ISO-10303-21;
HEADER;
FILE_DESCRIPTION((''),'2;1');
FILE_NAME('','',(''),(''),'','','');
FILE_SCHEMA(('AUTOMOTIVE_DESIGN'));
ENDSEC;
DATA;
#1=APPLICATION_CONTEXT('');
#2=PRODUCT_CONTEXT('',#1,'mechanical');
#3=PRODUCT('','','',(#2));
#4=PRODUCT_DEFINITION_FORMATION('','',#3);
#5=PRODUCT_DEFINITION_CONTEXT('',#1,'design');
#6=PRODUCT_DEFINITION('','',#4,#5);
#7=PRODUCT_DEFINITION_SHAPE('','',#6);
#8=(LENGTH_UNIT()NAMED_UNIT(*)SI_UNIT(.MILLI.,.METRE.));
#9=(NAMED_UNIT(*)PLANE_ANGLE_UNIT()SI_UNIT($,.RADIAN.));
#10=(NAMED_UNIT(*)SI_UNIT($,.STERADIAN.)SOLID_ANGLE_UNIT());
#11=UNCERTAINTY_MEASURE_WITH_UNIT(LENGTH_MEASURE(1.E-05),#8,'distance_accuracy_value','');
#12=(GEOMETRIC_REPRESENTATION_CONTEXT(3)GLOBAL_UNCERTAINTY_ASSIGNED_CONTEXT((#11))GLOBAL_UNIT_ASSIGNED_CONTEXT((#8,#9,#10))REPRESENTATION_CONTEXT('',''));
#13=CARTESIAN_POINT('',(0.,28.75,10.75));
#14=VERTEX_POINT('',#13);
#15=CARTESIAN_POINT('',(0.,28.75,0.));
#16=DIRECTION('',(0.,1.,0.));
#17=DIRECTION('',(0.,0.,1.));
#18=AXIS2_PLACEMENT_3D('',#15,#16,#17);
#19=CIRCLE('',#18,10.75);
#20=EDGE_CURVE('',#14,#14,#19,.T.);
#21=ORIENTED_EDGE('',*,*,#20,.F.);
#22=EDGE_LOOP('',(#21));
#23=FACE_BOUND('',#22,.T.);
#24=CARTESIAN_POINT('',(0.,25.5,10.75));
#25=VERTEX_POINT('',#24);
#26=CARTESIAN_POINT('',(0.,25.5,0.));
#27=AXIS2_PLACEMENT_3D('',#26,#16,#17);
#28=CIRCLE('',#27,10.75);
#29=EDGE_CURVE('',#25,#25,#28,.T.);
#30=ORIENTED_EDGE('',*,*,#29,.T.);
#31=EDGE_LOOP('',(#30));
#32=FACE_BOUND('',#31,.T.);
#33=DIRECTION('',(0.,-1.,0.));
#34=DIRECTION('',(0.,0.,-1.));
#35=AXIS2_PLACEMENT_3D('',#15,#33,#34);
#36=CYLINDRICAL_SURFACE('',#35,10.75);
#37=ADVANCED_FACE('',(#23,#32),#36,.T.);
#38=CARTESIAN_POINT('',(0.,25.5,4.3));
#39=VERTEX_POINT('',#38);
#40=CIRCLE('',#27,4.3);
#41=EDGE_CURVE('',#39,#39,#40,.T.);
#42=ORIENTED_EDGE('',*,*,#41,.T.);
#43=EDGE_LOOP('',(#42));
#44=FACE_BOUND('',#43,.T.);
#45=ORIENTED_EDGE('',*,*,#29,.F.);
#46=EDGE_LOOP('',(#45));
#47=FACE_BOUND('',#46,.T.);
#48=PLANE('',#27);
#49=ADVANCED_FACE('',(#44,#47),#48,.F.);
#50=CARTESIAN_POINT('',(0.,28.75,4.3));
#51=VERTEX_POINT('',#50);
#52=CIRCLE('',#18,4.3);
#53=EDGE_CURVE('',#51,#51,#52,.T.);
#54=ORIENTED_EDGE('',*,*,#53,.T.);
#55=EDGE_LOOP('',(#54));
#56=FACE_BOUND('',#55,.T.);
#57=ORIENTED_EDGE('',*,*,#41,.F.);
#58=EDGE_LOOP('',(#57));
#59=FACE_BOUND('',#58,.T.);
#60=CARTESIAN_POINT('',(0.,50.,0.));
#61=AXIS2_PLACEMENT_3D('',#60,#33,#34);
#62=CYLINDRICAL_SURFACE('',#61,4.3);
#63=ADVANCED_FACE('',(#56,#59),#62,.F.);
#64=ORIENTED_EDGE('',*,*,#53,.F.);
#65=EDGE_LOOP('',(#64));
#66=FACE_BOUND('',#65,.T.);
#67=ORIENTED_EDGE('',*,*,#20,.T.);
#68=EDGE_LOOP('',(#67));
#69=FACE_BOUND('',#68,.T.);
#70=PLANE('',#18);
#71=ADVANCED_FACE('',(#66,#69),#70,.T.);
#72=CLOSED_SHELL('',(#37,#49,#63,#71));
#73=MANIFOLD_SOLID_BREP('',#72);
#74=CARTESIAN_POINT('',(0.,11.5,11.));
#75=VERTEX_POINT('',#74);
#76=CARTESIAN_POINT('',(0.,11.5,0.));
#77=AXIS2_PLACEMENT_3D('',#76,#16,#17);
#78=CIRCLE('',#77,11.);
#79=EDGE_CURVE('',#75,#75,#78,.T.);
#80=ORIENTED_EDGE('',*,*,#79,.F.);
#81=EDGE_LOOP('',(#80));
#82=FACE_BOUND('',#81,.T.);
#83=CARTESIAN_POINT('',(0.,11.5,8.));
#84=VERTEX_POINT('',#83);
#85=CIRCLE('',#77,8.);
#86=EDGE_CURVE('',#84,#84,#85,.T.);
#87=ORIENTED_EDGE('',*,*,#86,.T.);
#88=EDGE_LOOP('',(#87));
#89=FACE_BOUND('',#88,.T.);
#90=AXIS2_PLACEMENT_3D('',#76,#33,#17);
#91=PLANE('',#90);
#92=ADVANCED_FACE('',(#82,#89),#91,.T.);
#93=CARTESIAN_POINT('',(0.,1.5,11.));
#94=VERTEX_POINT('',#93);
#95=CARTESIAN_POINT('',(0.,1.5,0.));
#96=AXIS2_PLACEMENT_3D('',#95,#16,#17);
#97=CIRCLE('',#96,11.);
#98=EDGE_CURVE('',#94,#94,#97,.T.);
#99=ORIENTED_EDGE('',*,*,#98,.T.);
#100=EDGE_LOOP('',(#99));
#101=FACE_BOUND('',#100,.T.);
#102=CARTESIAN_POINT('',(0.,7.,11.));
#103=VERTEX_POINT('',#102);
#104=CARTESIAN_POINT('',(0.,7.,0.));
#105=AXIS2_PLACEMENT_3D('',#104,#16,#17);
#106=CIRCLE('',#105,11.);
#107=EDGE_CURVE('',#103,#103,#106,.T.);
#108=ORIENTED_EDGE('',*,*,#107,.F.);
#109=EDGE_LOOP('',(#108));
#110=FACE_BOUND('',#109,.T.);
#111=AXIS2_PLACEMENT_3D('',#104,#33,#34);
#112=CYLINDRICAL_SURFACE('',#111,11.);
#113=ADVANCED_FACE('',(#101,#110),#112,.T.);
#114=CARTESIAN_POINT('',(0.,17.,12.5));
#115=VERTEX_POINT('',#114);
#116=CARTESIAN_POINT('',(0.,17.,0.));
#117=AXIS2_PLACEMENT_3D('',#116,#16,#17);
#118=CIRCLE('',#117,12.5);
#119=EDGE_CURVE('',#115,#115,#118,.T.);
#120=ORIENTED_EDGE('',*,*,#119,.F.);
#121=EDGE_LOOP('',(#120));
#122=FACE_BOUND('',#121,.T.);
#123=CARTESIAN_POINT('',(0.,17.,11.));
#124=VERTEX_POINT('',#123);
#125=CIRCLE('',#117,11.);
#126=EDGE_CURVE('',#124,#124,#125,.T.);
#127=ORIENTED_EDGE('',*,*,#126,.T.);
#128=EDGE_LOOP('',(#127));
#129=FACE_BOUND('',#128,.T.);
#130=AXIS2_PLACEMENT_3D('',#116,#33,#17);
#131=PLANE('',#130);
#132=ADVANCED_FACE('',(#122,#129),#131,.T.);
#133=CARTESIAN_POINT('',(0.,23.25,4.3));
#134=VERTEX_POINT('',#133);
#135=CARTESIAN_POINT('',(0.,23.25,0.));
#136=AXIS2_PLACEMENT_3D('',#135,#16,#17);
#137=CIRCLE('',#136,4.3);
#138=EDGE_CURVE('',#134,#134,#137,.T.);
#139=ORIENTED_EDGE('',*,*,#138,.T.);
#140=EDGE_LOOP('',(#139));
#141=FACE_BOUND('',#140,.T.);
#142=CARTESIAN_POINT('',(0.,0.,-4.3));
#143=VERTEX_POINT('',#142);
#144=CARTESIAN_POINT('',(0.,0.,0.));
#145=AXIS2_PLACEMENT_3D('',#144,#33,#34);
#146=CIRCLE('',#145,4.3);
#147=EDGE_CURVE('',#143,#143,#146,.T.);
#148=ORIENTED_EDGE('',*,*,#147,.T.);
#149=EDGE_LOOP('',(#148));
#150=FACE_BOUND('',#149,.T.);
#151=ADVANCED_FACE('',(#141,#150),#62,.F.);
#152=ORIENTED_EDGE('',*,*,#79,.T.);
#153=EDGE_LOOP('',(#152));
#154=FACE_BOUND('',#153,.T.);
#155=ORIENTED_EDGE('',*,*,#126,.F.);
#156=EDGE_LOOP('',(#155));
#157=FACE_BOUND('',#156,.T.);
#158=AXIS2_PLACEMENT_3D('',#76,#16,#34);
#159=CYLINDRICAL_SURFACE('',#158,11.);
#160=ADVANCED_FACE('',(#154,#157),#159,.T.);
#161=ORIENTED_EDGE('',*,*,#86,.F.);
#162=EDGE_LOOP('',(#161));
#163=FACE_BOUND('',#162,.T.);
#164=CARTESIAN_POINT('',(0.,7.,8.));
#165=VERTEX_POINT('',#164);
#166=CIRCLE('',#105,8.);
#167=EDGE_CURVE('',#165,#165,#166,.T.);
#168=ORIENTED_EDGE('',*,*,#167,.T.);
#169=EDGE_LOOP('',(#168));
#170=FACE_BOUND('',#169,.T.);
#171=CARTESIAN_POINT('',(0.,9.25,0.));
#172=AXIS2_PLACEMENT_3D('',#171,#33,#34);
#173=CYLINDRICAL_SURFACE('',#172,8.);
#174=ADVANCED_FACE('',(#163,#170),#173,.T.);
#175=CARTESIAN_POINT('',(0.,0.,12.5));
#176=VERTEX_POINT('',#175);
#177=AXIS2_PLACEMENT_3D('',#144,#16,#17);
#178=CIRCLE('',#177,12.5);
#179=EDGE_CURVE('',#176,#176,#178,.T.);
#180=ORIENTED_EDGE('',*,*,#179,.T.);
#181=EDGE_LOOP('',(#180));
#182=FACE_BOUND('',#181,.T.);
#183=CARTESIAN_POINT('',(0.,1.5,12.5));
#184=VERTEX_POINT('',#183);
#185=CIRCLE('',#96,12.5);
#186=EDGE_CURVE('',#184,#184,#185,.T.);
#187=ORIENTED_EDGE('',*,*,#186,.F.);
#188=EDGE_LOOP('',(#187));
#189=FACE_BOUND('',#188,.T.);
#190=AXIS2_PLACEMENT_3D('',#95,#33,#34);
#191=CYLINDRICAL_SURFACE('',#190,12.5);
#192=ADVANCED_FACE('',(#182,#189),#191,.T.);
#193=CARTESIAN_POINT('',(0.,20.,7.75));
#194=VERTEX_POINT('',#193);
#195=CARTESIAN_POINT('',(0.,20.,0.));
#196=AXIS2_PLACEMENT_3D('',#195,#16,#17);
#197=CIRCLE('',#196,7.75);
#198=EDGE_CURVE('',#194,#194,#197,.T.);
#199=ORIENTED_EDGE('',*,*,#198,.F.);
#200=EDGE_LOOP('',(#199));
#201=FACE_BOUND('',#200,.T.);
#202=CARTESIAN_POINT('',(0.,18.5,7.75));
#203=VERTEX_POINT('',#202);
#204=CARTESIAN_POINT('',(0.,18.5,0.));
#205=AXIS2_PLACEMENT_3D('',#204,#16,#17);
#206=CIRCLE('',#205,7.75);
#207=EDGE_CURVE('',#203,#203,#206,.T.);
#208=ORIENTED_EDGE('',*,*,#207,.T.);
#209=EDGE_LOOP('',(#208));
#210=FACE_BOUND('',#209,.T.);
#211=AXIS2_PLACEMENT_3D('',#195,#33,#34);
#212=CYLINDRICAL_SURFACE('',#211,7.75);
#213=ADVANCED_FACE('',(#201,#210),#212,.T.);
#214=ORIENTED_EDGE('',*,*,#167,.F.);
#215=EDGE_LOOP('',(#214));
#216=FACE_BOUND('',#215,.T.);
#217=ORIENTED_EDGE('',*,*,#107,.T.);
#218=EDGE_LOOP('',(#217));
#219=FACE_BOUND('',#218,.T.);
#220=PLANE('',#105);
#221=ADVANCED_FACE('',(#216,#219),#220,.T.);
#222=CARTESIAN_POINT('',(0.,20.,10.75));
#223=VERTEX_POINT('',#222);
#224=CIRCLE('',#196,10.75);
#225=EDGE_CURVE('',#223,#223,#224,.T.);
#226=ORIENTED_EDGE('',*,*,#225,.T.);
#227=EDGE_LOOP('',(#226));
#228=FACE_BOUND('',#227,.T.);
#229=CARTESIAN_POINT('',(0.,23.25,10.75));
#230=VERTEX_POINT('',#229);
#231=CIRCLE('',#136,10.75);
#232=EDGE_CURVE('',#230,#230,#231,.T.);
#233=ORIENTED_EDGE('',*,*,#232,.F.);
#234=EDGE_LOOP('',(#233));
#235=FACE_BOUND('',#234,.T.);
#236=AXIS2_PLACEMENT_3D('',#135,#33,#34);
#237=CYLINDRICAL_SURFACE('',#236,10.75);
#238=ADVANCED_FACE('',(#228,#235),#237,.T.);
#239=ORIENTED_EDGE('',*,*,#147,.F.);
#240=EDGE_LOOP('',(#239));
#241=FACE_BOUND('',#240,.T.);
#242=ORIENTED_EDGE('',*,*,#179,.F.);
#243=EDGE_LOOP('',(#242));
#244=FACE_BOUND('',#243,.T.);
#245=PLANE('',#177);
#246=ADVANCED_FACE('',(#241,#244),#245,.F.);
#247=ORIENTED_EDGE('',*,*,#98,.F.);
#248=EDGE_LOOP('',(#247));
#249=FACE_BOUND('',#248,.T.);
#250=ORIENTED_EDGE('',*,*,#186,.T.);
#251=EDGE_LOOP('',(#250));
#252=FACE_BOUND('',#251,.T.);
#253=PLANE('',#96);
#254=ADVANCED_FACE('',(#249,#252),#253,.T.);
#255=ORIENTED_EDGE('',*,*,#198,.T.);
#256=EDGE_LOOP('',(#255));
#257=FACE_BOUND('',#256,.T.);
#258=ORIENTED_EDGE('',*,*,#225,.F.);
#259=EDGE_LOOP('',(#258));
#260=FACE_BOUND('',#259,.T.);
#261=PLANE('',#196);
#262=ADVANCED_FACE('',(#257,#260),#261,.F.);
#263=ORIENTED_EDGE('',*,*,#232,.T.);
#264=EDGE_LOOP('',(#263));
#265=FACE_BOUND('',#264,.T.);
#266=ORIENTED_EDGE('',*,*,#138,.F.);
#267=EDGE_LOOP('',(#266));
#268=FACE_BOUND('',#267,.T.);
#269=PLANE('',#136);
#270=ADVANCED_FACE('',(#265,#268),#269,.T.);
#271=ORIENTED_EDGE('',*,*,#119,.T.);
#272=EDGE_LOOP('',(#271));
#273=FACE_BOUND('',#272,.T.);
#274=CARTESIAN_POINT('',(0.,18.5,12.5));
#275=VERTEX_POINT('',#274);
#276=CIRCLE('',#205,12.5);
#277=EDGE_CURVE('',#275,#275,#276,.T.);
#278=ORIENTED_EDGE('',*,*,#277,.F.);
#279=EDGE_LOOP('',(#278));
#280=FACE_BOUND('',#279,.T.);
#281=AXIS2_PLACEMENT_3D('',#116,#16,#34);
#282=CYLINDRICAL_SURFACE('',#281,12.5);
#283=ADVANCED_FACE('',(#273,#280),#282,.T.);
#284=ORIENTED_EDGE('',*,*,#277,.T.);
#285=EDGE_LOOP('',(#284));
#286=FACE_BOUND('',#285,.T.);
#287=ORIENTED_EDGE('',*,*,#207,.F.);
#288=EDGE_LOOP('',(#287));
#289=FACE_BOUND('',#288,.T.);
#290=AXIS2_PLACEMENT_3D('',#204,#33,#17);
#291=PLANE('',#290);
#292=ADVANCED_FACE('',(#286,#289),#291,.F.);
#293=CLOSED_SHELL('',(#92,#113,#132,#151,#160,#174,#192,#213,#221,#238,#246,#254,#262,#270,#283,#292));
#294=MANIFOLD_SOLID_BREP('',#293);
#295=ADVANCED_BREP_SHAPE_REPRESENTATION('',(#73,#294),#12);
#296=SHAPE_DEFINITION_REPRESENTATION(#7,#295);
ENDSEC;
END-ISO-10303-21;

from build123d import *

# Parameters (mm, degrees)
SKETCH1_R           = 12.5
BOSS_EXTRUDE1_DEPTH = 1.5
SKETCH2_R           = 11
BOSS_EXTRUDE2_DEPTH = 5.5
SKETCH3_R           = 8
BOSS_EXTRUDE3_DEPTH = 2.25
SKETCH4_R           = 7.75
BOSS_EXTRUDE4_DEPTH = 1.5
SKETCH5_R           = 10.75
BOSS_EXTRUDE6_DEPTH = 3.25
BOSS_EXTRUDE7_START = 2.25
SKETCH10_R          = 10.75
BOSS_EXTRUDE7_DEPTH = 3.25
SKETCH6_R           = 4.3
CUT_EXTRUDE2_DEPTH  = 50


with BuildPart() as part:
    # Sketch1 → Boss-Extrude1 (new body)
    with BuildSketch(Plane(origin=(0, 0, 0), x_dir=(1, 0, 0), z_dir=(0, 1, 0))):
        Circle(SKETCH1_R)
    extrude(amount=BOSS_EXTRUDE1_DEPTH)

    # Sketch2 → Boss-Extrude2 (add)
    with BuildSketch(Plane(origin=(0, 1.5, 0), x_dir=(1, 0, 0), z_dir=(0, 1, 0))):
        Circle(SKETCH2_R)
    extrude(amount=BOSS_EXTRUDE2_DEPTH)

    # Sketch3 → Boss-Extrude3 (add)
    with BuildSketch(Plane(origin=(0, 7, 0), x_dir=(1, 0, 0), z_dir=(0, 1, 0))):
        Circle(SKETCH3_R)
    extrude(amount=BOSS_EXTRUDE3_DEPTH)

    # Mirror1: part across plane


with BuildPart() as part_1:
    add(part.part)
    add(part.part.mirror(Plane.ZX.offset(9.25)))

    # Sketch4 → Boss-Extrude4 (add)
    with BuildSketch(Plane(origin=(0, 18.5, 0), x_dir=(1, 0, 0), z_dir=(0, 1, 0))):
        Circle(SKETCH4_R)
    extrude(amount=BOSS_EXTRUDE4_DEPTH)

    # Sketch5 → Boss-Extrude6 (add)
    with BuildSketch(Plane(origin=(0, 20, 0), x_dir=(1, 0, 0), z_dir=(0, 1, 0))):
        Circle(SKETCH5_R)
    extrude(amount=BOSS_EXTRUDE6_DEPTH)


with BuildPart() as body_2:
    # Sketch10 → Boss-Extrude7 (new body)
    with BuildSketch(Plane(origin=(0, 23.25, 0), x_dir=(1, 0, 0), z_dir=(0, 1, 0)).offset(BOSS_EXTRUDE7_START)):
        Circle(SKETCH10_R)
    extrude(amount=BOSS_EXTRUDE7_DEPTH)


with BuildPart() as cut_extrude2_tool:
    # Sketch6 → Cut-Extrude2 (new body)
    with BuildSketch(Plane.XZ):
        Circle(SKETCH6_R)
    extrude(amount=-CUT_EXTRUDE2_DEPTH)


with BuildPart() as part_2:
    add(part_1.part)

    # Cut-Extrude2: cut by cut_extrude2_tool
    add(cut_extrude2_tool.part, mode=Mode.SUBTRACT)


with BuildPart() as body_2_1:
    add(body_2.part)

    # Cut-Extrude2: cut by cut_extrude2_tool
    add(cut_extrude2_tool.part, mode=Mode.SUBTRACT)


solid = Compound([part_2.part, body_2_1.part])
